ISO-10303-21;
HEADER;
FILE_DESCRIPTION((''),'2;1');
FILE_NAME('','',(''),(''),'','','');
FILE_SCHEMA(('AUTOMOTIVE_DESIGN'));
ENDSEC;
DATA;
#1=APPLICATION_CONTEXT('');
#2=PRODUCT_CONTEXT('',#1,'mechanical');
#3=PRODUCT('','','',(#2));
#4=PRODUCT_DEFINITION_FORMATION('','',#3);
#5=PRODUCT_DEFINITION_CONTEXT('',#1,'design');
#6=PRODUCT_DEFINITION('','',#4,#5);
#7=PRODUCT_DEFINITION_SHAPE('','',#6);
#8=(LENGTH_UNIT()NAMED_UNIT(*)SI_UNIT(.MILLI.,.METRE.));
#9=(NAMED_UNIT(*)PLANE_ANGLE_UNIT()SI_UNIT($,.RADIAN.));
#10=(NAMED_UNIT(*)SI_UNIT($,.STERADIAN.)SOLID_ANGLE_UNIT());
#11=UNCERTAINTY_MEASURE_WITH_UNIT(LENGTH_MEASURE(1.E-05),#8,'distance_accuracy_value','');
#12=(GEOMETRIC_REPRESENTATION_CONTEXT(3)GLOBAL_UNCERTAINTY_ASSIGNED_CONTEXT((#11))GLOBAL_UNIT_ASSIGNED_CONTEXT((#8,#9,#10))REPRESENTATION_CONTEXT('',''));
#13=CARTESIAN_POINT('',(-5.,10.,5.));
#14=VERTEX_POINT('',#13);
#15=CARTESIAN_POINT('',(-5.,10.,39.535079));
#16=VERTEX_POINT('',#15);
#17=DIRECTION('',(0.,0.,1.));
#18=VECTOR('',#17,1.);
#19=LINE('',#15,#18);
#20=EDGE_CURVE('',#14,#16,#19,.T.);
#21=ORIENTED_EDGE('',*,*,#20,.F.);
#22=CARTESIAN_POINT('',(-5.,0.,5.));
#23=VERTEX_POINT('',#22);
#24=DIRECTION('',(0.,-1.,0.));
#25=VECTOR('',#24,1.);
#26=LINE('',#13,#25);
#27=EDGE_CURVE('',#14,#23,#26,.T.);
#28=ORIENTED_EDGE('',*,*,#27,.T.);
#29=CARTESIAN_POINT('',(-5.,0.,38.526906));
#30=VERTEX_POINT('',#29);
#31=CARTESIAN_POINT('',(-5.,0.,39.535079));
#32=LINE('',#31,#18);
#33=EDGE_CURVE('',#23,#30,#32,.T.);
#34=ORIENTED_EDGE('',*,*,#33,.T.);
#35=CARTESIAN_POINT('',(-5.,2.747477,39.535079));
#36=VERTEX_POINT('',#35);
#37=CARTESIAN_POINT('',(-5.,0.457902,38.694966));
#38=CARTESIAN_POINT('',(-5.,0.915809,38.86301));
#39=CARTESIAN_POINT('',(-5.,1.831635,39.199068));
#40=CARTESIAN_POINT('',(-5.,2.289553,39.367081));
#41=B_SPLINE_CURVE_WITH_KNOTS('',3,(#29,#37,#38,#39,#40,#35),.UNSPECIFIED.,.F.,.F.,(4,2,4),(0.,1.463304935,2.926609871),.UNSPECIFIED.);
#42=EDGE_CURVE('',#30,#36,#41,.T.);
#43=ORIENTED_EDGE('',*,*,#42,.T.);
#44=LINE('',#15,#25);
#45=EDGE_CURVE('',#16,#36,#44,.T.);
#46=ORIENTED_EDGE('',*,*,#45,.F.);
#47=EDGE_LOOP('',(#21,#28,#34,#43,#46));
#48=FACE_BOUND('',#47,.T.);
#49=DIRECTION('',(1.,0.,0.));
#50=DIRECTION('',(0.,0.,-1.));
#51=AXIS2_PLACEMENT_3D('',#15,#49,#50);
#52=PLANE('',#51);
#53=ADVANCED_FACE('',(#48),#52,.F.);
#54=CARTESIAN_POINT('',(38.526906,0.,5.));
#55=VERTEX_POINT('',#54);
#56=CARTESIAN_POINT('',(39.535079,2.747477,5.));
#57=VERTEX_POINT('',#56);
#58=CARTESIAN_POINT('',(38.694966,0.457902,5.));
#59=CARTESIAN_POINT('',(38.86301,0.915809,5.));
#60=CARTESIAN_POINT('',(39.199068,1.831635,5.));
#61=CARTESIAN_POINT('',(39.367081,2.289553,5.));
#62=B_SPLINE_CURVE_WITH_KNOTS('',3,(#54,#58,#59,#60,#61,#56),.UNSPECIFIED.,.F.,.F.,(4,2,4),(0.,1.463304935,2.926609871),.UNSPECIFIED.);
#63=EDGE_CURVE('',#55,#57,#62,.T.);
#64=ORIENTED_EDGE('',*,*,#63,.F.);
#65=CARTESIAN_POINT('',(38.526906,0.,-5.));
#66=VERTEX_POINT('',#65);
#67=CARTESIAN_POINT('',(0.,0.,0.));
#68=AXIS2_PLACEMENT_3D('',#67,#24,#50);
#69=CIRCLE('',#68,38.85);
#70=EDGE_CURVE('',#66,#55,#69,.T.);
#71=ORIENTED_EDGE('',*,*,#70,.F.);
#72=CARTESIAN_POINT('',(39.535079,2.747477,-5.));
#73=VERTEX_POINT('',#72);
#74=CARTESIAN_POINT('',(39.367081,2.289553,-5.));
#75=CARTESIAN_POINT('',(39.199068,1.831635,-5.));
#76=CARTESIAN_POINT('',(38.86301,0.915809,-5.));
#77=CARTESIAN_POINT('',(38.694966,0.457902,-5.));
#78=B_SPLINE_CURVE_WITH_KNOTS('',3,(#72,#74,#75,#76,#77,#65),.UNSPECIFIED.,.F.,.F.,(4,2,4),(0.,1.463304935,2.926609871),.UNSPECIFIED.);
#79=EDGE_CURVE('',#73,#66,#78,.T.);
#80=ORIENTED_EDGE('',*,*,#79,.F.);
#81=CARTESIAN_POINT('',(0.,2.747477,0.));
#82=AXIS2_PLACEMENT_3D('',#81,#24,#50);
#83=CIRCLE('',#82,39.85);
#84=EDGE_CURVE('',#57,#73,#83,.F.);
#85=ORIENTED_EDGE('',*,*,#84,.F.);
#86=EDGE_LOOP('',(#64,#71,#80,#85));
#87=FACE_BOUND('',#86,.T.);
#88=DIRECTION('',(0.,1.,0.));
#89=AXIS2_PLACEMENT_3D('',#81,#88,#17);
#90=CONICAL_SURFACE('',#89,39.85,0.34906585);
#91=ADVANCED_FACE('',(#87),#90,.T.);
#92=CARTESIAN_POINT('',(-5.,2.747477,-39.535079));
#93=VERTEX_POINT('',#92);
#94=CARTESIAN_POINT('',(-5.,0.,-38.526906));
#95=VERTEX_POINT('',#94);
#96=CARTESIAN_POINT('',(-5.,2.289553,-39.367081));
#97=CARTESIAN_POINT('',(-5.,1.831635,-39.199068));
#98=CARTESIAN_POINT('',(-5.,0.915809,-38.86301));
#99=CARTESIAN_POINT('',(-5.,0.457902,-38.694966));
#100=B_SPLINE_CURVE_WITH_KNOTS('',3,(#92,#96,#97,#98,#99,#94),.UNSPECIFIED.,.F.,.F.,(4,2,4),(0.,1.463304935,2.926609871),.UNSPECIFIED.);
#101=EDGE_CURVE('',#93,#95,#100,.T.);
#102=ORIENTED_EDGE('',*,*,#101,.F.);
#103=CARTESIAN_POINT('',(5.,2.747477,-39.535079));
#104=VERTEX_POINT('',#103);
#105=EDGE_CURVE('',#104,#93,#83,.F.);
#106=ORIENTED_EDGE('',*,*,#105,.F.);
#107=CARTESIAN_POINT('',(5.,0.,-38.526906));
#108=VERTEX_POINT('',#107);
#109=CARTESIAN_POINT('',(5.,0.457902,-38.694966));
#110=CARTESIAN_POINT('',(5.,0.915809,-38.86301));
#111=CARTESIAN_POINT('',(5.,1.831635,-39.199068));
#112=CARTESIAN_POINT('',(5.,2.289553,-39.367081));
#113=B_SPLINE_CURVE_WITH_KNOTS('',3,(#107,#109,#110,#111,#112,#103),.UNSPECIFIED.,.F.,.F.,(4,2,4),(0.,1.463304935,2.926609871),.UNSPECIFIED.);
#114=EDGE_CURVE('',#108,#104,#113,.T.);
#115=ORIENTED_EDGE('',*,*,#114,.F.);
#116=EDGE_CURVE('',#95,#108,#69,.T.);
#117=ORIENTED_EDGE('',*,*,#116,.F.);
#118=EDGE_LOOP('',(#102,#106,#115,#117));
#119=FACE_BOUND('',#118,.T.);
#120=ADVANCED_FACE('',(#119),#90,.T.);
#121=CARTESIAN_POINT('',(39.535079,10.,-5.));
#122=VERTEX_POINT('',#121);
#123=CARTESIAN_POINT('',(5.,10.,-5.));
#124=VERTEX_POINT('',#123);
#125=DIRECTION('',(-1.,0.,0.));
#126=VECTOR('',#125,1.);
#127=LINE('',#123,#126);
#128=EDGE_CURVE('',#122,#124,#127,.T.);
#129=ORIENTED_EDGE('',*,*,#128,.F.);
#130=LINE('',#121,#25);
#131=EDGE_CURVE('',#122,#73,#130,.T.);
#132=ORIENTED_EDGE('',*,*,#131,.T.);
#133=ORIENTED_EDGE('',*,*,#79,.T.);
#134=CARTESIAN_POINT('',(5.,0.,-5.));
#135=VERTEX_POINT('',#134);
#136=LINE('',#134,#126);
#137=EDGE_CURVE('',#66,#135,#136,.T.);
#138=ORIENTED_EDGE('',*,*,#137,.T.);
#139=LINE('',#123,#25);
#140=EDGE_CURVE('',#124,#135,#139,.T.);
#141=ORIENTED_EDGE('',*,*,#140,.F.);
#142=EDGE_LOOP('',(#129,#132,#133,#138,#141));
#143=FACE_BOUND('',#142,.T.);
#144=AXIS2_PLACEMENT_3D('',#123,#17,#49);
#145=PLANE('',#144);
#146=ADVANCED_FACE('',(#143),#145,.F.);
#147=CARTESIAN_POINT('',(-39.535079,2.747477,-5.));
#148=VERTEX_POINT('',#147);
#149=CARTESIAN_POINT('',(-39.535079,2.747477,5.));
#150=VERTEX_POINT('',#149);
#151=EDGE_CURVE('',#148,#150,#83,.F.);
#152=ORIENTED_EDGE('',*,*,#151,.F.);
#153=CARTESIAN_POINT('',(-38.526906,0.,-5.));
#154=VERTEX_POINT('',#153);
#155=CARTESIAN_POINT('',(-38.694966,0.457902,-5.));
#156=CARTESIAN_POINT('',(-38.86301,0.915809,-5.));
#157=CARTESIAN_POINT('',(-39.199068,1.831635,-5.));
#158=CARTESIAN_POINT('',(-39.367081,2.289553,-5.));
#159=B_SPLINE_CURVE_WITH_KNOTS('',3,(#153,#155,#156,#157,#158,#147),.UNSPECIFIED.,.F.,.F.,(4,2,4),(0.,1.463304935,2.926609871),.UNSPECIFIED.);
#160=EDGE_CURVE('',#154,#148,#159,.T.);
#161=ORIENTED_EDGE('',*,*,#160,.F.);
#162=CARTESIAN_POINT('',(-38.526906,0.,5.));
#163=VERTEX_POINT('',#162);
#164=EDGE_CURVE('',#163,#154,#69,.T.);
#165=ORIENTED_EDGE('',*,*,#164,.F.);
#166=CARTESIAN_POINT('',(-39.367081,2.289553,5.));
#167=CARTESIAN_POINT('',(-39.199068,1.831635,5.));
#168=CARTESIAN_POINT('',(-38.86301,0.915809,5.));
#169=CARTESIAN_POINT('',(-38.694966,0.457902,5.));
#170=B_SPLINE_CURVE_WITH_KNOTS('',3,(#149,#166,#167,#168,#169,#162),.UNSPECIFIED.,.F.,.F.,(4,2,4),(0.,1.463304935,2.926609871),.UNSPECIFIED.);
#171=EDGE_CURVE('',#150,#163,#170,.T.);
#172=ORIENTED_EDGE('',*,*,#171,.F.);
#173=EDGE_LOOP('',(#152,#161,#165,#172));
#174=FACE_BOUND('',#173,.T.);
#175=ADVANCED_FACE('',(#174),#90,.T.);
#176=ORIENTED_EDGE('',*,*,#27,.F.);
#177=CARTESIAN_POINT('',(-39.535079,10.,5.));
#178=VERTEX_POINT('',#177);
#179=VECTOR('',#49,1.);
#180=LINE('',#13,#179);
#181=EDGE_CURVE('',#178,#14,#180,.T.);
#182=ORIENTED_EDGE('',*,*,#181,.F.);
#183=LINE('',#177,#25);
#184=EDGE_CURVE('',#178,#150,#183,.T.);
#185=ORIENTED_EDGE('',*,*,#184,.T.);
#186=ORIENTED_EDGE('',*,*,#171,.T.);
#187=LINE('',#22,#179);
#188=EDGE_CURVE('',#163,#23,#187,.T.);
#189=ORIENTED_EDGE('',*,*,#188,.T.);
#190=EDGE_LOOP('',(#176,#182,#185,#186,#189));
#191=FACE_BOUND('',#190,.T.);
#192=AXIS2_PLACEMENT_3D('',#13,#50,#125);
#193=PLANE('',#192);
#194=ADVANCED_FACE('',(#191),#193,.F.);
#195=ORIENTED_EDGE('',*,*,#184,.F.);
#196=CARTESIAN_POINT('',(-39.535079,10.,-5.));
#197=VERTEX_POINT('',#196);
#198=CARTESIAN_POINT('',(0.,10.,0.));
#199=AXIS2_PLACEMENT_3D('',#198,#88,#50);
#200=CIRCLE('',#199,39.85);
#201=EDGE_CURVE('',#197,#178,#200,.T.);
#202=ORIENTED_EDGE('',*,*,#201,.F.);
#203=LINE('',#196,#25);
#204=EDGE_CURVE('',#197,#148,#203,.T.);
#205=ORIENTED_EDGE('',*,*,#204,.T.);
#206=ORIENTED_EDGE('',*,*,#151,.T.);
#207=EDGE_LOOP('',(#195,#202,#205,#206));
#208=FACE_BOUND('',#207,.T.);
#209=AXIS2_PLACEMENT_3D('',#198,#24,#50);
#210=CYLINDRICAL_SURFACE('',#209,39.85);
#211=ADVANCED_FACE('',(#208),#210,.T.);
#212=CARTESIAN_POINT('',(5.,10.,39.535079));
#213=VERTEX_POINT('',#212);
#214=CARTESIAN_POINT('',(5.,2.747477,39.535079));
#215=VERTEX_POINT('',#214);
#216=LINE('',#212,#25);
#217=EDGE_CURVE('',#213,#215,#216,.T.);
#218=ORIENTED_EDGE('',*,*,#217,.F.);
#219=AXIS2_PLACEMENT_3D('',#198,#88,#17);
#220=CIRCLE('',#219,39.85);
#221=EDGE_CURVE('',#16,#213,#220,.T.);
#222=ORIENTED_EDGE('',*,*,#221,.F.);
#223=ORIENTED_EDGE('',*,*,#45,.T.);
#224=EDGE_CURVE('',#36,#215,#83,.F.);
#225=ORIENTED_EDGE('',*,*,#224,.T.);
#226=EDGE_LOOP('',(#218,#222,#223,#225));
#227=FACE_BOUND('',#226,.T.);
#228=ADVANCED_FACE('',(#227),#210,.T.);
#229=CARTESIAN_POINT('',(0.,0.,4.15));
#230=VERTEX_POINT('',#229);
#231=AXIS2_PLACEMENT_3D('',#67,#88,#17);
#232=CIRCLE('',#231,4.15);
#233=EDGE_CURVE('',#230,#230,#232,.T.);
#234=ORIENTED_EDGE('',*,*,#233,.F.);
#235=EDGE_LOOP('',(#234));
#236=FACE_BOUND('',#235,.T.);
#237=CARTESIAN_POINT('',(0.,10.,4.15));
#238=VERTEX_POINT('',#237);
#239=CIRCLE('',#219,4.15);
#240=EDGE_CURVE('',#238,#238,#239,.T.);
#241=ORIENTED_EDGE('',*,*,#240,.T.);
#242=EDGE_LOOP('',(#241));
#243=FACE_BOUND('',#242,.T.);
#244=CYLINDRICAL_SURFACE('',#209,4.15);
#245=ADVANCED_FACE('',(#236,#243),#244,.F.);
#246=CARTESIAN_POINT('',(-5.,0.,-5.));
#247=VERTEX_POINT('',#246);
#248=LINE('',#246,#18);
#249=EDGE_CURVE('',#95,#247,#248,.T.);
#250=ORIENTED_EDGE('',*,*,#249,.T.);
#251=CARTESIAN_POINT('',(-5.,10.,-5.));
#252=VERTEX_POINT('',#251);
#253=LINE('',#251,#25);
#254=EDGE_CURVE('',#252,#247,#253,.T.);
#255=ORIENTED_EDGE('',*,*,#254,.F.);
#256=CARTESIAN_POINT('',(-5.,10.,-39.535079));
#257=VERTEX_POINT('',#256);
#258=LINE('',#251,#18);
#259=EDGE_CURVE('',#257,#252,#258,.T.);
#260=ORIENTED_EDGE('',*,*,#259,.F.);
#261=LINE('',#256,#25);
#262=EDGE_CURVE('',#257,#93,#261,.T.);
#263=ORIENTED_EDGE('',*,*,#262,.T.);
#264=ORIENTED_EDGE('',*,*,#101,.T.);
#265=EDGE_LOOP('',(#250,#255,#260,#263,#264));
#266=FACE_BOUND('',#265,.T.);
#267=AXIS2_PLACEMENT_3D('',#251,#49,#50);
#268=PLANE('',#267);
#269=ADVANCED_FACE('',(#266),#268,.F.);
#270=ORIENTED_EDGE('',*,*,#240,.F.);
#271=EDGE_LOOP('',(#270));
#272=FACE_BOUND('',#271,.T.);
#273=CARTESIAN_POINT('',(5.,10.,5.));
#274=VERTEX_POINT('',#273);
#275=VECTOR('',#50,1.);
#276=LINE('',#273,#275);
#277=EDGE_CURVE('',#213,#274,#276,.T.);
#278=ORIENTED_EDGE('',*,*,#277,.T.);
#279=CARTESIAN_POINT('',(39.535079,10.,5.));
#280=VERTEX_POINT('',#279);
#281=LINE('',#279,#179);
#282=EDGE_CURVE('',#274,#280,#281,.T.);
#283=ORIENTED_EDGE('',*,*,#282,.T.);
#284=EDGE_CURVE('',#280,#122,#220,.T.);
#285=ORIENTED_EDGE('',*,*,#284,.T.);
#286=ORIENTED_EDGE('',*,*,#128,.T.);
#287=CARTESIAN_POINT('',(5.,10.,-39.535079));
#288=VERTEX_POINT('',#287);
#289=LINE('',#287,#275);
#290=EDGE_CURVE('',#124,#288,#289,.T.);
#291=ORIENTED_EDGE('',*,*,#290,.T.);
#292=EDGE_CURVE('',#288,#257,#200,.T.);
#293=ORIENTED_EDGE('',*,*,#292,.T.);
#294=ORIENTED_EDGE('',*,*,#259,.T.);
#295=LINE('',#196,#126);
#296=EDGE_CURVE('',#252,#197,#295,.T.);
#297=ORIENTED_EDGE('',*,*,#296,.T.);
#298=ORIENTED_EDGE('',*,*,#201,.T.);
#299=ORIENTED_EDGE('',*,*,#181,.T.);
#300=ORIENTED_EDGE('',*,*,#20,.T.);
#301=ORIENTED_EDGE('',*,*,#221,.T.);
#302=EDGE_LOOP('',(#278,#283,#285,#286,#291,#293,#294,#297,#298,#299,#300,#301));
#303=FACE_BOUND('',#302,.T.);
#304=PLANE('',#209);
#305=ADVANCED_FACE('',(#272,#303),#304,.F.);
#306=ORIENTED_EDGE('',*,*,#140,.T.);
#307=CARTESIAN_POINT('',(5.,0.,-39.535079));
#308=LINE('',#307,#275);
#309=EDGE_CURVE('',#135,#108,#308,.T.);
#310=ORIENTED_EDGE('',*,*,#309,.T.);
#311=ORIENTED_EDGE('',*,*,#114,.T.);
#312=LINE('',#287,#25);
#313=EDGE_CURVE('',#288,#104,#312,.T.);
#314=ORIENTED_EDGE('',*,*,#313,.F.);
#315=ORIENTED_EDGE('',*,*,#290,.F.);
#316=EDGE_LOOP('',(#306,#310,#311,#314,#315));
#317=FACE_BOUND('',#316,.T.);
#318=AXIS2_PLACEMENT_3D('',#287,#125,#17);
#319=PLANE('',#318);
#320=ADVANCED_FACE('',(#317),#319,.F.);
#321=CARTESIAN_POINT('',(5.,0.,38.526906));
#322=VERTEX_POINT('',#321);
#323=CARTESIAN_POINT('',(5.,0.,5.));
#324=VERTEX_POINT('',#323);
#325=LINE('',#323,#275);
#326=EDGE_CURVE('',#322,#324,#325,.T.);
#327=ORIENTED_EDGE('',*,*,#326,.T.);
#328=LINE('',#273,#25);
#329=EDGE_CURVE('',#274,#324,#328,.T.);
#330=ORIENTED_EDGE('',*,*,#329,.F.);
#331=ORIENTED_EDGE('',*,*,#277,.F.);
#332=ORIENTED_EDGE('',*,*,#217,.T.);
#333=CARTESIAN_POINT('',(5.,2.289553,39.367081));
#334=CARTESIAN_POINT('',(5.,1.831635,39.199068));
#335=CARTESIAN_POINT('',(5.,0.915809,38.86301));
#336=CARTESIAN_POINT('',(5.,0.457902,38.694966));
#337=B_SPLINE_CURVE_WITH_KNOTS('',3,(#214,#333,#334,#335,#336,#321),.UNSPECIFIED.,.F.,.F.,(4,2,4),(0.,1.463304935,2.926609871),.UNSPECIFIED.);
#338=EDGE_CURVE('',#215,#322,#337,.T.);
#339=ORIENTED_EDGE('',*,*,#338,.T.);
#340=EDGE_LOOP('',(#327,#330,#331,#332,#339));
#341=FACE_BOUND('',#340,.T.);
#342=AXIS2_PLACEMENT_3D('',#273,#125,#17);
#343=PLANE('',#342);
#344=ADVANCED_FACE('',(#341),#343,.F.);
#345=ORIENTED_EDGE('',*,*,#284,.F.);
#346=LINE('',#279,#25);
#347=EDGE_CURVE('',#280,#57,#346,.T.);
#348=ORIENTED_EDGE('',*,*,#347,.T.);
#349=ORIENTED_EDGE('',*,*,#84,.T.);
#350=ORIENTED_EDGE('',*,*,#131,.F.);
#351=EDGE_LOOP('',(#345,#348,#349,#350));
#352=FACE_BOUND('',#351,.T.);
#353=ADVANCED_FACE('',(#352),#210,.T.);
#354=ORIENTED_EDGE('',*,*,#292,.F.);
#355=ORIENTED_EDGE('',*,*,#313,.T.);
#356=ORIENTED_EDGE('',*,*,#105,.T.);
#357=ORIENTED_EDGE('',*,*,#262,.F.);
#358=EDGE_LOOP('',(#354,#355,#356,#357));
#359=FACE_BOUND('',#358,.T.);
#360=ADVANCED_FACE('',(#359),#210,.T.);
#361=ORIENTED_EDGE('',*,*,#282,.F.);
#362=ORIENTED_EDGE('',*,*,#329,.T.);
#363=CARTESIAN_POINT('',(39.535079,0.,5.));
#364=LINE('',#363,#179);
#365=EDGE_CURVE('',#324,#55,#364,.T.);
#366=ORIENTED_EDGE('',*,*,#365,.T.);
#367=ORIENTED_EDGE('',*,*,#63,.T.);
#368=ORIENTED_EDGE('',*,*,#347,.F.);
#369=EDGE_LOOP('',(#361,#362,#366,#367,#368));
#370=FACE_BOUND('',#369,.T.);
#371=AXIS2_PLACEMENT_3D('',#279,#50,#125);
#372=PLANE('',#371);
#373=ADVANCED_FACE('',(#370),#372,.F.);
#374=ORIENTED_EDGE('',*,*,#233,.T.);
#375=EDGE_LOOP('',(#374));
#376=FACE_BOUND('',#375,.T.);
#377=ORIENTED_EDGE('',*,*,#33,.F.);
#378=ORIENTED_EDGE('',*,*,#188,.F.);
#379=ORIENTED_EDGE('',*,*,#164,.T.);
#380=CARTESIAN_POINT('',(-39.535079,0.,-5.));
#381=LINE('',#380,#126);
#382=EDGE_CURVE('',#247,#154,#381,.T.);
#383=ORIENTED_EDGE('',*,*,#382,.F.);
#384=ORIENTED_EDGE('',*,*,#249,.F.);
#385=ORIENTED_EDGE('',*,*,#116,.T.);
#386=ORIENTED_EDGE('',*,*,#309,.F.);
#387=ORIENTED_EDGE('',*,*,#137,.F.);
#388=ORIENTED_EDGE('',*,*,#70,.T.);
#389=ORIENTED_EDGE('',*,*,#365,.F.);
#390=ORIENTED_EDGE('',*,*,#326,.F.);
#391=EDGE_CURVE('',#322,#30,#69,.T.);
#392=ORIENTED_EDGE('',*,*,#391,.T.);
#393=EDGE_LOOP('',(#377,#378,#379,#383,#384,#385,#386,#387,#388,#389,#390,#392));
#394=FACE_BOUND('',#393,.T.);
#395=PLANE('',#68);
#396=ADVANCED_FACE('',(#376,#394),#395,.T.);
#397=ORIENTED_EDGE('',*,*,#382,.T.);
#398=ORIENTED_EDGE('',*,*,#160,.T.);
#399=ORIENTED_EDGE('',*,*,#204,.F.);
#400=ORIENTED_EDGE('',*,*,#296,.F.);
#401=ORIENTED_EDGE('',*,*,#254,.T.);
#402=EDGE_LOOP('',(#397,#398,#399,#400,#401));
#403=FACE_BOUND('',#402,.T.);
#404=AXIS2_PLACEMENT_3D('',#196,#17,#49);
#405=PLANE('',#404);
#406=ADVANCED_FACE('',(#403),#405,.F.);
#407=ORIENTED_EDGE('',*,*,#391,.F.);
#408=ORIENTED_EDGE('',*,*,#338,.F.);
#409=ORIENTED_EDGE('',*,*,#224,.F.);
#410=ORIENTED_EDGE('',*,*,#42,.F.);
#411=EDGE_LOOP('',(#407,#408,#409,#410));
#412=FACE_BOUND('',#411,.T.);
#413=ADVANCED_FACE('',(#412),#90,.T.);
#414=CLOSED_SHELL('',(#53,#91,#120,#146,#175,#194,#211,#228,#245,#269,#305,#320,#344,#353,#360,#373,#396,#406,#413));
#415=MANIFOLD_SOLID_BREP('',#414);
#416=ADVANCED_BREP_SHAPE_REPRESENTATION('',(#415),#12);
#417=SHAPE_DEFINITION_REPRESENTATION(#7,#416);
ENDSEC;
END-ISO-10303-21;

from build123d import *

# Parameters (mm, degrees)
SKETCH1_R           = 4.15
BOSS_EXTRUDE1_DEPTH = 10
CHAMFER1_SIZE       = 1
CHAMFER1_SIZE2      = 2.747477419


with BuildPart() as part:
    # Sketch1 → Boss-Extrude1 (new body)
    with BuildSketch(Plane(origin=(0, 0, 0), x_dir=(1, 0, 0), z_dir=(0, 1, 0))):
        with BuildLine():
            Line((-39.53507936, 5), (-5, 5))
            Line((-5, 5), (-5, 39.53507936))
            ThreePointArc((-5, 39.53507936), (0, 39.85), (5, 39.53507936))
            Line((5, 39.53507936), (5, 5))
            Line((5, 5), (39.53507936, 5))
            ThreePointArc((39.53507936, 5), (39.85, 0), (39.53507936, -5))
            Line((39.53507936, -5), (5, -5))
            Line((5, -5), (5, -39.53507936))
            ThreePointArc((5, -39.53507936), (0, -39.85), (-5, -39.53507936))
            Line((-5, -39.53507936), (-5, -5))
            Line((-5, -5), (-39.53507936, -5))
            ThreePointArc((-39.53507936, -5), (-39.85, 0), (-39.53507936, 5))
        make_face()
        with Locations(Location((0, 0, 0), (0, 0, 270))):  # turned: the seam where the file's is
            Circle(SKETCH1_R, mode=Mode.SUBTRACT)
    extrude(amount=BOSS_EXTRUDE1_DEPTH)

    # Chamfer1
    chamfer1_edges = [part.edges().sort_by_distance(p)[0] for p in [
        (39.85, 0, 0),
        (0, 0, 39.85),
        (-39.85, 0, 0),
        (0, 0, -39.85),
    ]]
    chamfer1_side = [part.faces().sort_by_distance(p)[0] for p in [
        (-22.26753968, 0, -3.872871791),
    ]]
    chamfer(chamfer1_edges, length=CHAMFER1_SIZE, length2=CHAMFER1_SIZE2, reference=chamfer1_side[0])


solid = part.part
